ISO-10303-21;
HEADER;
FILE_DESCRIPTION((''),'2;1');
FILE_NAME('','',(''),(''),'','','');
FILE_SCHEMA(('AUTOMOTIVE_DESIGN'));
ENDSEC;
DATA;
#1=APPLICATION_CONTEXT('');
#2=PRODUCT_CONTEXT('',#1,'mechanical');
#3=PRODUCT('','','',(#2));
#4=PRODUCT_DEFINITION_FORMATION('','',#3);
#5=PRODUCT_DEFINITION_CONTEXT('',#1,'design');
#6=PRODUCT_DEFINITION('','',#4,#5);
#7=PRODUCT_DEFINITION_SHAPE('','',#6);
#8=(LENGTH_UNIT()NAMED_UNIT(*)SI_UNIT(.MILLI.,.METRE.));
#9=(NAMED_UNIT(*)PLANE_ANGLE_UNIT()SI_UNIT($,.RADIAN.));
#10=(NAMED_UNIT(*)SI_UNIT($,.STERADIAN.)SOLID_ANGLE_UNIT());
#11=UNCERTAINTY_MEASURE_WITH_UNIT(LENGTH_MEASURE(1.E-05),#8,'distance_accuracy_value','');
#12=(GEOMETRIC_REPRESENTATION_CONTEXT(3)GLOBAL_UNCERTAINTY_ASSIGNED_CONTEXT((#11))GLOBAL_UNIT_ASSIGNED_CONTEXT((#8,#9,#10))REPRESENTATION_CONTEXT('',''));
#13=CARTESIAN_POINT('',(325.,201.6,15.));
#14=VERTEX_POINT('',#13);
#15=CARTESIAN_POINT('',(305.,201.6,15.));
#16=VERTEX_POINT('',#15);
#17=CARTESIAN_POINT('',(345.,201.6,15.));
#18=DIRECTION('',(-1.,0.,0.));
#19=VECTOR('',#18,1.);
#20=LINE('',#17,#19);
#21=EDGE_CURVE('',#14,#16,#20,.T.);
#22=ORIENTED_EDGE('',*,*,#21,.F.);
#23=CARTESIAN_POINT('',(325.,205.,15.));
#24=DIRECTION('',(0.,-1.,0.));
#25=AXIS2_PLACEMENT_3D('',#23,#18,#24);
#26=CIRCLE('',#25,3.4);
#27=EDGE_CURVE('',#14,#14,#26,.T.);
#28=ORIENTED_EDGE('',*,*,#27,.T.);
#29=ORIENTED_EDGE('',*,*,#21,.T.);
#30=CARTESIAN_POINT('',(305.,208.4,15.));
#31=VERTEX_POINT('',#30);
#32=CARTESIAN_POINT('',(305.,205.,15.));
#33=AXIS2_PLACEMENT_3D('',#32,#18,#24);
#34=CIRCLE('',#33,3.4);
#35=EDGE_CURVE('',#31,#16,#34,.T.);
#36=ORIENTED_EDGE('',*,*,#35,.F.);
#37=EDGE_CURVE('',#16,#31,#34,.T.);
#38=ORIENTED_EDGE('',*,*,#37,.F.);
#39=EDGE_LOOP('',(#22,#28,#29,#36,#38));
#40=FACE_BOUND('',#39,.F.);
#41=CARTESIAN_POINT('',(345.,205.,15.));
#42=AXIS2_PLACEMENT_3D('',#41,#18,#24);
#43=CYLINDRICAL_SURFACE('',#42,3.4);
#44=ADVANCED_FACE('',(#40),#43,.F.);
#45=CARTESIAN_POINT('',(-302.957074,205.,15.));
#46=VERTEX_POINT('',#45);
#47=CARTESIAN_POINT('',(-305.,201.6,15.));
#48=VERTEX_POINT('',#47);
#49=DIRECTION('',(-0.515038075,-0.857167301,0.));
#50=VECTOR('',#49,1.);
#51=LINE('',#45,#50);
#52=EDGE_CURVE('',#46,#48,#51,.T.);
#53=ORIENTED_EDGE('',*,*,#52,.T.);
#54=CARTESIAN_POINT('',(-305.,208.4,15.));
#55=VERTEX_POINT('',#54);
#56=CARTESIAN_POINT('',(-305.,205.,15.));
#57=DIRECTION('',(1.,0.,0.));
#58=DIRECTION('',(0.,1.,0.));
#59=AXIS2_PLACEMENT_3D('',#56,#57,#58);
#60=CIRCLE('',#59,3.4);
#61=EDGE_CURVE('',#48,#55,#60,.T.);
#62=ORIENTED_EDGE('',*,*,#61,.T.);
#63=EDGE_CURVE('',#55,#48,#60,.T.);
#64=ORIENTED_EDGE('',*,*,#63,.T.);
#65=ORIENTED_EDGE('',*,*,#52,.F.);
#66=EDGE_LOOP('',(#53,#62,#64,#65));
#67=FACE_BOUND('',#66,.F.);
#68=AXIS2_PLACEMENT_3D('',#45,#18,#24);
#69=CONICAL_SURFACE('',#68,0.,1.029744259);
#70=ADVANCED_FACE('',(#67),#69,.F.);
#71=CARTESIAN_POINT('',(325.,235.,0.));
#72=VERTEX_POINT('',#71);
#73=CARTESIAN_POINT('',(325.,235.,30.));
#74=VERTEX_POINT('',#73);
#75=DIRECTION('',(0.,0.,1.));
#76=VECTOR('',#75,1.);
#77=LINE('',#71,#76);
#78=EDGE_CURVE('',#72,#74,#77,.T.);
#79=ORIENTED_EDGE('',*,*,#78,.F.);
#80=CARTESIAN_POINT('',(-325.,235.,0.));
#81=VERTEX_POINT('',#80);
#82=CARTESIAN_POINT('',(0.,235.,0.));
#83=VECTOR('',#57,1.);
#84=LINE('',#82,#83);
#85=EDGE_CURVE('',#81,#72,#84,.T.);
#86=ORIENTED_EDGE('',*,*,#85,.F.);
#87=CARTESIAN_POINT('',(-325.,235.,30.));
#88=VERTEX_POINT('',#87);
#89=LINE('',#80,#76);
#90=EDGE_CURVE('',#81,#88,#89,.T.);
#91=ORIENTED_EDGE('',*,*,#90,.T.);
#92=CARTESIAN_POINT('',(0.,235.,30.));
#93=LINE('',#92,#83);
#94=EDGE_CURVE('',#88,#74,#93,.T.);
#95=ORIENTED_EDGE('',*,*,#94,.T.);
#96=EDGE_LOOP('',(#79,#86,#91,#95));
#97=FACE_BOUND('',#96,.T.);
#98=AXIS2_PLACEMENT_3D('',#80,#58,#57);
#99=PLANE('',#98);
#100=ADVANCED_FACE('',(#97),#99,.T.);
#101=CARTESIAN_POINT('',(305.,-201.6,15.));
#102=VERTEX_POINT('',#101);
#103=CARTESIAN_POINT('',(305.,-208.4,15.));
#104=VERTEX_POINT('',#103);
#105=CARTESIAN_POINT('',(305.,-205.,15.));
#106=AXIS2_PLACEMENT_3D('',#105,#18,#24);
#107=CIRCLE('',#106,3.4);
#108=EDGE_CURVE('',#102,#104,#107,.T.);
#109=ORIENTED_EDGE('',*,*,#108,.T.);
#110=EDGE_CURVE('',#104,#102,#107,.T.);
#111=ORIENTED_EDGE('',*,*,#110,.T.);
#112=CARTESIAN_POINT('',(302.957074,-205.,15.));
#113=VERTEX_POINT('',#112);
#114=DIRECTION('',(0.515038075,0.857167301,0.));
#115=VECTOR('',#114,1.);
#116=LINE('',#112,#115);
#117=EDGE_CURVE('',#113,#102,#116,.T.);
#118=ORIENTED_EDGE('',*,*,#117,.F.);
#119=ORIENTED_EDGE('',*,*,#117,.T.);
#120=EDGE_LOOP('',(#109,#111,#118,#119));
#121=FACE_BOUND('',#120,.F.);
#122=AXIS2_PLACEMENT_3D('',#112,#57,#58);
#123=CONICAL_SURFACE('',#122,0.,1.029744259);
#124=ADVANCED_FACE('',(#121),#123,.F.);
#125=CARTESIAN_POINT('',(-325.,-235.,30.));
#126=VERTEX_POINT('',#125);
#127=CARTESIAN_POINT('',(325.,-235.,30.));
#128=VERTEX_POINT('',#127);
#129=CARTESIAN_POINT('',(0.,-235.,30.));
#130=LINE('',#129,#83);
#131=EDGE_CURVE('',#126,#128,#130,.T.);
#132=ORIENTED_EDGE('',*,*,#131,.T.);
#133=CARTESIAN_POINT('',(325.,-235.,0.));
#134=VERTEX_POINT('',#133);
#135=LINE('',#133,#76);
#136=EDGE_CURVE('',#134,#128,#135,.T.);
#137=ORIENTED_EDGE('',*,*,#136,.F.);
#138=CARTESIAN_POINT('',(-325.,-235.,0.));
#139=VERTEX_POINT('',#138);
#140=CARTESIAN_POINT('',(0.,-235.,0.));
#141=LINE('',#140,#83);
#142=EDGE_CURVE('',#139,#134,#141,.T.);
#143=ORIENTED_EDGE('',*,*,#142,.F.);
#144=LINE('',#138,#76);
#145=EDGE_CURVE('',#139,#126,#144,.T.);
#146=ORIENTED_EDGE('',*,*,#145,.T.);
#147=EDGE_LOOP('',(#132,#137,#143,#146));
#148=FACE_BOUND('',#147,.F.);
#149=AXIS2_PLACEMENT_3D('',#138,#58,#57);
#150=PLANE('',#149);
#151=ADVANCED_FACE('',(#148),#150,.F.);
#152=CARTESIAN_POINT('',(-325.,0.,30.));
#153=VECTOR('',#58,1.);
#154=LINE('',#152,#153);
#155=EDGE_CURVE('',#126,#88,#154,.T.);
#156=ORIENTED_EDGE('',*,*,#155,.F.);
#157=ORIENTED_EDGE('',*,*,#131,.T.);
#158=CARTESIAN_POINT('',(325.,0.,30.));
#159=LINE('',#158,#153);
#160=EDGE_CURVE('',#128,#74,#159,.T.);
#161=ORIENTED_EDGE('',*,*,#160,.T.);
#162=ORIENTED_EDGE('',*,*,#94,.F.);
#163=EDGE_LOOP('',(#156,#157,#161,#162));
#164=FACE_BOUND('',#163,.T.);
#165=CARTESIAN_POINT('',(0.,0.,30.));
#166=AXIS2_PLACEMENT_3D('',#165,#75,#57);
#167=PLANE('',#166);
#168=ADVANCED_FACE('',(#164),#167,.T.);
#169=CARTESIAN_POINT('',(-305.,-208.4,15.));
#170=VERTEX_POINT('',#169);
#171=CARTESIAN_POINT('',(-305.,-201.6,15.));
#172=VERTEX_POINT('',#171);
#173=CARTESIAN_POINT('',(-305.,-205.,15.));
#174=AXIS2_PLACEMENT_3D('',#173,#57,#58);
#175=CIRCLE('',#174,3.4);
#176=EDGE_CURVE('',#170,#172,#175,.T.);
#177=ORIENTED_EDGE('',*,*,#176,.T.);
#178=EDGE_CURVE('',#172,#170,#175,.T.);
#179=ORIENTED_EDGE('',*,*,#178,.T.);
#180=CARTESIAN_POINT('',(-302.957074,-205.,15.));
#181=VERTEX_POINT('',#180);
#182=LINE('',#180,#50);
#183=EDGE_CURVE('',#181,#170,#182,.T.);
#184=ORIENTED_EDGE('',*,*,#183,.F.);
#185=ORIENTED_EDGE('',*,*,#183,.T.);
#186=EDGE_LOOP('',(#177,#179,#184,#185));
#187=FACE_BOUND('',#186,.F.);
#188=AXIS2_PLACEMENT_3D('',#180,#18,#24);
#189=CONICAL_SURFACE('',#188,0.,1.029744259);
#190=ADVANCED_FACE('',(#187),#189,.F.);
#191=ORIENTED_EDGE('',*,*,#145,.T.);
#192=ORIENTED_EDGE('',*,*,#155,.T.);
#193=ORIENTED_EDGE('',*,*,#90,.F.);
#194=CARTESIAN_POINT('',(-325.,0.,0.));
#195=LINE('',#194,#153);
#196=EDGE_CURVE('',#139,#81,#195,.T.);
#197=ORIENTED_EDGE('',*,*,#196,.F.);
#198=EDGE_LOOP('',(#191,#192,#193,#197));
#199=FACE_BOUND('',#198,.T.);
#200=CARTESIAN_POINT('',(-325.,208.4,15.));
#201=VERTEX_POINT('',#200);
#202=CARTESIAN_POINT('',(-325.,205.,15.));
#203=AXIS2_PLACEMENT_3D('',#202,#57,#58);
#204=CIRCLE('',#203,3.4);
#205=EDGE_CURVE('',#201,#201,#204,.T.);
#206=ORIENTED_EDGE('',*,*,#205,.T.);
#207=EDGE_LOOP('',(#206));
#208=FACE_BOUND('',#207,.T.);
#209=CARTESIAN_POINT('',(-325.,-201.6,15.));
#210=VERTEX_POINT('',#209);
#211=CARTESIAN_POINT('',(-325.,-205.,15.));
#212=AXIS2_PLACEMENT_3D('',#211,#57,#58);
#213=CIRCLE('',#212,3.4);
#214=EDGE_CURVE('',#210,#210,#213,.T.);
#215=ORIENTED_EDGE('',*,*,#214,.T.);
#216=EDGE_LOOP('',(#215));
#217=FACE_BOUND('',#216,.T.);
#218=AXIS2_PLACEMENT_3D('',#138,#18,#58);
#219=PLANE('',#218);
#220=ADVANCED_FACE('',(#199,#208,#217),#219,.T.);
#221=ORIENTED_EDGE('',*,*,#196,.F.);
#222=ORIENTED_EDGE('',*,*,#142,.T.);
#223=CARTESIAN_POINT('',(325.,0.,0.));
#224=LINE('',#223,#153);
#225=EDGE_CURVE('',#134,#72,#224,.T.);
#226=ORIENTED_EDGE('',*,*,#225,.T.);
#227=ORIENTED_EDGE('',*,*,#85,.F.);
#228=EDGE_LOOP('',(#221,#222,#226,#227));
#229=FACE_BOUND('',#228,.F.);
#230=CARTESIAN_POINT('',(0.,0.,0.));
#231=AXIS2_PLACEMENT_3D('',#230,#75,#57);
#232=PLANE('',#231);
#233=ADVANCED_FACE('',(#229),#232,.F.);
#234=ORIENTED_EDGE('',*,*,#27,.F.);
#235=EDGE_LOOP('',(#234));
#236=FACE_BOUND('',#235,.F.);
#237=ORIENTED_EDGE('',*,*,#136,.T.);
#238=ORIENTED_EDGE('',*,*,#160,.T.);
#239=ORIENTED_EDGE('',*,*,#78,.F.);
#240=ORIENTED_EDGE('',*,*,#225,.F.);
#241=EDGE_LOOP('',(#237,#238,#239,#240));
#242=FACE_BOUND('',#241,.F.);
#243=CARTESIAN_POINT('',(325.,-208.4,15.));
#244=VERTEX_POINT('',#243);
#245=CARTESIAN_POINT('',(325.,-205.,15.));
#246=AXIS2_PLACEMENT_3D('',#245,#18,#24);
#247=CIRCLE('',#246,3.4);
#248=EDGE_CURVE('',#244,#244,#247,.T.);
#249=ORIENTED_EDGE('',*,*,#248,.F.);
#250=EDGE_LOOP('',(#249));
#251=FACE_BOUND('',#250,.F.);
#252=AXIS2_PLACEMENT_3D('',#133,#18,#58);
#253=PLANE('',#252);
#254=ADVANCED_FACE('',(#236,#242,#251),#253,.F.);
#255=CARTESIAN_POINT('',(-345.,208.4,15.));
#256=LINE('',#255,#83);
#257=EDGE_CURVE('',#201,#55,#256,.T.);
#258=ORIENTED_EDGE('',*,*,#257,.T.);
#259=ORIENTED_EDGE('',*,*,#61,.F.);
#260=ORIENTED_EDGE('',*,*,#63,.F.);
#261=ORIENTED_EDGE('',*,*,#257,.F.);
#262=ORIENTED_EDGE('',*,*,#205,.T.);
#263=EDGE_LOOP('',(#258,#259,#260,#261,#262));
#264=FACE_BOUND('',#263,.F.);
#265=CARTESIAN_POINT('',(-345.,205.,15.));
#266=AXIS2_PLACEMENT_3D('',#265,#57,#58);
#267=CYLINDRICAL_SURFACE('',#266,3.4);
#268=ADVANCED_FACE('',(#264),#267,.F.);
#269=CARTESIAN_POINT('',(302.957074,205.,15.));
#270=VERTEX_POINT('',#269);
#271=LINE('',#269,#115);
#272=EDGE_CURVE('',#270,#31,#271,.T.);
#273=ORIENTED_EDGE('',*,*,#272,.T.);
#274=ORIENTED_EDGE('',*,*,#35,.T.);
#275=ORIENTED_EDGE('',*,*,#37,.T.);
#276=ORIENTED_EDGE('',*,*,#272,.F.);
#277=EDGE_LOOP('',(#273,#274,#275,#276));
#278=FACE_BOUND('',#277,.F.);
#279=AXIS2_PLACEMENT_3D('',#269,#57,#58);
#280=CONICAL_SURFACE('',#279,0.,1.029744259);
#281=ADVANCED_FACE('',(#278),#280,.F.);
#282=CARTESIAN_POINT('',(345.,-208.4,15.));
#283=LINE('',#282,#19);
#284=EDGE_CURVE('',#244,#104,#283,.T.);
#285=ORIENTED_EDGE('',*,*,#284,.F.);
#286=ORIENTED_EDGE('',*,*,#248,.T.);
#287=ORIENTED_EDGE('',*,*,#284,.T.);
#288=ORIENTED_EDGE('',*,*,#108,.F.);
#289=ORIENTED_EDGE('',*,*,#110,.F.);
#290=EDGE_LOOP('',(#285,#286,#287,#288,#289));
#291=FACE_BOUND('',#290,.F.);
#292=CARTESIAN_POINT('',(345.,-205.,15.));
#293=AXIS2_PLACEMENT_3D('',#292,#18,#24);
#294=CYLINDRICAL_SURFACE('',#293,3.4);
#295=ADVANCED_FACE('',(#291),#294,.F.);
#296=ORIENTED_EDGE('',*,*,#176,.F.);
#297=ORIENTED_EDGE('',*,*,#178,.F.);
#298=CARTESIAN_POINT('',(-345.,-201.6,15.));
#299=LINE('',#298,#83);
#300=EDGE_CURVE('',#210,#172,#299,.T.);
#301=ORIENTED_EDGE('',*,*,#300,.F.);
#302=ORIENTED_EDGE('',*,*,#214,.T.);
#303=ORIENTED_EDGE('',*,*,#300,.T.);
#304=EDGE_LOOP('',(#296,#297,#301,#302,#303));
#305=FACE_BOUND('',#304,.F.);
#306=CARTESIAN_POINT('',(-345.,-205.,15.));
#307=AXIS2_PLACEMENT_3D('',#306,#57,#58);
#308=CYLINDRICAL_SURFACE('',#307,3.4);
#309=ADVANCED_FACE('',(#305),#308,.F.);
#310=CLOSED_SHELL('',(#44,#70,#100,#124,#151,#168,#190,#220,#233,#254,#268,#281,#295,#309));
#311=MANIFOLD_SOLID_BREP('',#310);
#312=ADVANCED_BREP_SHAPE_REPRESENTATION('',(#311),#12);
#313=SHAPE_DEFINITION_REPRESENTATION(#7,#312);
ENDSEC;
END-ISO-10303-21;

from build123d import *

# Parameters (mm, degrees)
F0_W           = 650
F0_H           = 470
F1_DEPTH       = 30
F4_D           = 6.8
F4_DEPTH       = 20
F4_TIP         = 2.0429261047
F4_ON_F3_D     = 6.8
F4_ON_F3_DEPTH = 20
F4_ON_F3_TIP   = 2.0429261047


with BuildPart() as f1:
    # F0 (on Top) → F1 (new body)
    with BuildSketch(Plane.XY):
        Rectangle(F0_W, F0_H)
    extrude(amount=F1_DEPTH)

    # F4
    with Locations(Plane.YZ.offset(325)):
        with Locations((-205, 15), (205, 15)):
            Hole(F4_D / 2, depth=F4_DEPTH)
            with Locations((0, 0, -(F4_DEPTH + F4_TIP / 2))):  # 118° drill point
                Cone(0, F4_D / 2, F4_TIP, mode=Mode.SUBTRACT)

    # F4 on F3
    with Locations(Plane(origin=(-325, 0, 0), x_dir=(0, -1, 0), z_dir=(-1, 0, 0))):
        with Locations((-205, 15), (205, 15)):
            Hole(F4_ON_F3_D / 2, depth=F4_ON_F3_DEPTH)
            with Locations((0, 0, -(F4_ON_F3_DEPTH + F4_ON_F3_TIP / 2))):  # 118° drill point
                Cone(0, F4_ON_F3_D / 2, F4_ON_F3_TIP, mode=Mode.SUBTRACT)


solid = f1.part
